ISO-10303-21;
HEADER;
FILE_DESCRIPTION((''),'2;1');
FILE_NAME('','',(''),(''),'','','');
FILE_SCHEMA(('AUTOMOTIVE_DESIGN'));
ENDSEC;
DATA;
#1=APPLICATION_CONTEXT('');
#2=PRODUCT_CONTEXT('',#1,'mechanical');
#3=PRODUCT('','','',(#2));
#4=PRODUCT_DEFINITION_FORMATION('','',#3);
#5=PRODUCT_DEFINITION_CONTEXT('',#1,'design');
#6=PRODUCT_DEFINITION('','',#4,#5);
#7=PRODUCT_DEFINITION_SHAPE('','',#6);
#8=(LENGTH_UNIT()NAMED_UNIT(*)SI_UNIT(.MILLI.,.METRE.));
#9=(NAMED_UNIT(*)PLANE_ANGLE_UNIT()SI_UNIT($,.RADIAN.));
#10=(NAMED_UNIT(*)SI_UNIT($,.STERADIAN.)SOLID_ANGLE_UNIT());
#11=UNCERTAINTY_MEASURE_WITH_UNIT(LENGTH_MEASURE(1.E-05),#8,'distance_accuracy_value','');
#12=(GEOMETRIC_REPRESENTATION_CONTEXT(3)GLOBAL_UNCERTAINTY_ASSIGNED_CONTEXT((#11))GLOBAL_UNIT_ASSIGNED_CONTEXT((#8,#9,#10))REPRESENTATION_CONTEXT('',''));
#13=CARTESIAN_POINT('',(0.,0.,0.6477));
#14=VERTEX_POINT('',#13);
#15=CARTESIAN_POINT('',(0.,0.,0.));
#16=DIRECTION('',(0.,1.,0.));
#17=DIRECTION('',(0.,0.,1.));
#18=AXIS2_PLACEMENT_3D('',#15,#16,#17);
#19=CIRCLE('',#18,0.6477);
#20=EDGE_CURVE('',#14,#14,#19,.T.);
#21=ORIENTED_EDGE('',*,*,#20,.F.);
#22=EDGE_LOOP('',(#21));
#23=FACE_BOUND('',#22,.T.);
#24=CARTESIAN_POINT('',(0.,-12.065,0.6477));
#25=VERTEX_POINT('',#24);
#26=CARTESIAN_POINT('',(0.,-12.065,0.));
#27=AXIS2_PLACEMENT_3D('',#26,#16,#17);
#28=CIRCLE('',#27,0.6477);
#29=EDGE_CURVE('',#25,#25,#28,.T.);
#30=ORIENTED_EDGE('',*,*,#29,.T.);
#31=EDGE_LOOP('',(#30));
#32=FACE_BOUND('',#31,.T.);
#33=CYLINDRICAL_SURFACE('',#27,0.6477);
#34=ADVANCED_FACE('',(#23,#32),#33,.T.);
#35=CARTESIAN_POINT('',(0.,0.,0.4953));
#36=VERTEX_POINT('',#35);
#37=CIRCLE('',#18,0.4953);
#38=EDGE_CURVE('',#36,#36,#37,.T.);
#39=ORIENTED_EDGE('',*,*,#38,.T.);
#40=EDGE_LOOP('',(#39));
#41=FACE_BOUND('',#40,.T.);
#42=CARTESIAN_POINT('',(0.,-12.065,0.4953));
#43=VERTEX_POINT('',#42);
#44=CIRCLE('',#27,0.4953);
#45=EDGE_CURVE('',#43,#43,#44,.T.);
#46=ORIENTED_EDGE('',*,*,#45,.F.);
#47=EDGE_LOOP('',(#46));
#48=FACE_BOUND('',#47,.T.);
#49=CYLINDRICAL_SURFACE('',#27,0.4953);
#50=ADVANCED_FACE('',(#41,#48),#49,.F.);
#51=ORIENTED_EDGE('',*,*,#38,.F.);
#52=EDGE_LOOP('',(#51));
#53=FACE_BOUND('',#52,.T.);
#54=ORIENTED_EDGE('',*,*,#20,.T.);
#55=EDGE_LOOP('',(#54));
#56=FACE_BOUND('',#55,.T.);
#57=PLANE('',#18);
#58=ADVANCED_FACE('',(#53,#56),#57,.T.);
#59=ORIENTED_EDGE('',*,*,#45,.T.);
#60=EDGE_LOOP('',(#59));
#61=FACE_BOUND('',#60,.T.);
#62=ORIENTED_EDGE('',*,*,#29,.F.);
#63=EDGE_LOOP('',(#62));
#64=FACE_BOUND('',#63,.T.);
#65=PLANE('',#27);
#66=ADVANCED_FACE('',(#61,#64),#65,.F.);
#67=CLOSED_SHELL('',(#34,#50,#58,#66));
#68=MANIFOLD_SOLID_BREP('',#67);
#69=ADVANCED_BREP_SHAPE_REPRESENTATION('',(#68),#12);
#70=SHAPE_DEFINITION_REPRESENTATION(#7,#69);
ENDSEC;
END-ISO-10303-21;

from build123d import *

# Parameters (mm, degrees)
SKETCH1_R    = 0.6477
SKETCH1_R_2  = 0.4953
NEEDLE_DEPTH = 12.065


with BuildPart() as part:
    # Sketch1 → Needle (new body)
    with BuildSketch(Plane(origin=(0, 0, 0), x_dir=(1, 0, 0), z_dir=(0, 1, 0))):
        Circle(SKETCH1_R)
        Circle(SKETCH1_R_2, mode=Mode.SUBTRACT)
    extrude(amount=-NEEDLE_DEPTH)


solid = part.part
